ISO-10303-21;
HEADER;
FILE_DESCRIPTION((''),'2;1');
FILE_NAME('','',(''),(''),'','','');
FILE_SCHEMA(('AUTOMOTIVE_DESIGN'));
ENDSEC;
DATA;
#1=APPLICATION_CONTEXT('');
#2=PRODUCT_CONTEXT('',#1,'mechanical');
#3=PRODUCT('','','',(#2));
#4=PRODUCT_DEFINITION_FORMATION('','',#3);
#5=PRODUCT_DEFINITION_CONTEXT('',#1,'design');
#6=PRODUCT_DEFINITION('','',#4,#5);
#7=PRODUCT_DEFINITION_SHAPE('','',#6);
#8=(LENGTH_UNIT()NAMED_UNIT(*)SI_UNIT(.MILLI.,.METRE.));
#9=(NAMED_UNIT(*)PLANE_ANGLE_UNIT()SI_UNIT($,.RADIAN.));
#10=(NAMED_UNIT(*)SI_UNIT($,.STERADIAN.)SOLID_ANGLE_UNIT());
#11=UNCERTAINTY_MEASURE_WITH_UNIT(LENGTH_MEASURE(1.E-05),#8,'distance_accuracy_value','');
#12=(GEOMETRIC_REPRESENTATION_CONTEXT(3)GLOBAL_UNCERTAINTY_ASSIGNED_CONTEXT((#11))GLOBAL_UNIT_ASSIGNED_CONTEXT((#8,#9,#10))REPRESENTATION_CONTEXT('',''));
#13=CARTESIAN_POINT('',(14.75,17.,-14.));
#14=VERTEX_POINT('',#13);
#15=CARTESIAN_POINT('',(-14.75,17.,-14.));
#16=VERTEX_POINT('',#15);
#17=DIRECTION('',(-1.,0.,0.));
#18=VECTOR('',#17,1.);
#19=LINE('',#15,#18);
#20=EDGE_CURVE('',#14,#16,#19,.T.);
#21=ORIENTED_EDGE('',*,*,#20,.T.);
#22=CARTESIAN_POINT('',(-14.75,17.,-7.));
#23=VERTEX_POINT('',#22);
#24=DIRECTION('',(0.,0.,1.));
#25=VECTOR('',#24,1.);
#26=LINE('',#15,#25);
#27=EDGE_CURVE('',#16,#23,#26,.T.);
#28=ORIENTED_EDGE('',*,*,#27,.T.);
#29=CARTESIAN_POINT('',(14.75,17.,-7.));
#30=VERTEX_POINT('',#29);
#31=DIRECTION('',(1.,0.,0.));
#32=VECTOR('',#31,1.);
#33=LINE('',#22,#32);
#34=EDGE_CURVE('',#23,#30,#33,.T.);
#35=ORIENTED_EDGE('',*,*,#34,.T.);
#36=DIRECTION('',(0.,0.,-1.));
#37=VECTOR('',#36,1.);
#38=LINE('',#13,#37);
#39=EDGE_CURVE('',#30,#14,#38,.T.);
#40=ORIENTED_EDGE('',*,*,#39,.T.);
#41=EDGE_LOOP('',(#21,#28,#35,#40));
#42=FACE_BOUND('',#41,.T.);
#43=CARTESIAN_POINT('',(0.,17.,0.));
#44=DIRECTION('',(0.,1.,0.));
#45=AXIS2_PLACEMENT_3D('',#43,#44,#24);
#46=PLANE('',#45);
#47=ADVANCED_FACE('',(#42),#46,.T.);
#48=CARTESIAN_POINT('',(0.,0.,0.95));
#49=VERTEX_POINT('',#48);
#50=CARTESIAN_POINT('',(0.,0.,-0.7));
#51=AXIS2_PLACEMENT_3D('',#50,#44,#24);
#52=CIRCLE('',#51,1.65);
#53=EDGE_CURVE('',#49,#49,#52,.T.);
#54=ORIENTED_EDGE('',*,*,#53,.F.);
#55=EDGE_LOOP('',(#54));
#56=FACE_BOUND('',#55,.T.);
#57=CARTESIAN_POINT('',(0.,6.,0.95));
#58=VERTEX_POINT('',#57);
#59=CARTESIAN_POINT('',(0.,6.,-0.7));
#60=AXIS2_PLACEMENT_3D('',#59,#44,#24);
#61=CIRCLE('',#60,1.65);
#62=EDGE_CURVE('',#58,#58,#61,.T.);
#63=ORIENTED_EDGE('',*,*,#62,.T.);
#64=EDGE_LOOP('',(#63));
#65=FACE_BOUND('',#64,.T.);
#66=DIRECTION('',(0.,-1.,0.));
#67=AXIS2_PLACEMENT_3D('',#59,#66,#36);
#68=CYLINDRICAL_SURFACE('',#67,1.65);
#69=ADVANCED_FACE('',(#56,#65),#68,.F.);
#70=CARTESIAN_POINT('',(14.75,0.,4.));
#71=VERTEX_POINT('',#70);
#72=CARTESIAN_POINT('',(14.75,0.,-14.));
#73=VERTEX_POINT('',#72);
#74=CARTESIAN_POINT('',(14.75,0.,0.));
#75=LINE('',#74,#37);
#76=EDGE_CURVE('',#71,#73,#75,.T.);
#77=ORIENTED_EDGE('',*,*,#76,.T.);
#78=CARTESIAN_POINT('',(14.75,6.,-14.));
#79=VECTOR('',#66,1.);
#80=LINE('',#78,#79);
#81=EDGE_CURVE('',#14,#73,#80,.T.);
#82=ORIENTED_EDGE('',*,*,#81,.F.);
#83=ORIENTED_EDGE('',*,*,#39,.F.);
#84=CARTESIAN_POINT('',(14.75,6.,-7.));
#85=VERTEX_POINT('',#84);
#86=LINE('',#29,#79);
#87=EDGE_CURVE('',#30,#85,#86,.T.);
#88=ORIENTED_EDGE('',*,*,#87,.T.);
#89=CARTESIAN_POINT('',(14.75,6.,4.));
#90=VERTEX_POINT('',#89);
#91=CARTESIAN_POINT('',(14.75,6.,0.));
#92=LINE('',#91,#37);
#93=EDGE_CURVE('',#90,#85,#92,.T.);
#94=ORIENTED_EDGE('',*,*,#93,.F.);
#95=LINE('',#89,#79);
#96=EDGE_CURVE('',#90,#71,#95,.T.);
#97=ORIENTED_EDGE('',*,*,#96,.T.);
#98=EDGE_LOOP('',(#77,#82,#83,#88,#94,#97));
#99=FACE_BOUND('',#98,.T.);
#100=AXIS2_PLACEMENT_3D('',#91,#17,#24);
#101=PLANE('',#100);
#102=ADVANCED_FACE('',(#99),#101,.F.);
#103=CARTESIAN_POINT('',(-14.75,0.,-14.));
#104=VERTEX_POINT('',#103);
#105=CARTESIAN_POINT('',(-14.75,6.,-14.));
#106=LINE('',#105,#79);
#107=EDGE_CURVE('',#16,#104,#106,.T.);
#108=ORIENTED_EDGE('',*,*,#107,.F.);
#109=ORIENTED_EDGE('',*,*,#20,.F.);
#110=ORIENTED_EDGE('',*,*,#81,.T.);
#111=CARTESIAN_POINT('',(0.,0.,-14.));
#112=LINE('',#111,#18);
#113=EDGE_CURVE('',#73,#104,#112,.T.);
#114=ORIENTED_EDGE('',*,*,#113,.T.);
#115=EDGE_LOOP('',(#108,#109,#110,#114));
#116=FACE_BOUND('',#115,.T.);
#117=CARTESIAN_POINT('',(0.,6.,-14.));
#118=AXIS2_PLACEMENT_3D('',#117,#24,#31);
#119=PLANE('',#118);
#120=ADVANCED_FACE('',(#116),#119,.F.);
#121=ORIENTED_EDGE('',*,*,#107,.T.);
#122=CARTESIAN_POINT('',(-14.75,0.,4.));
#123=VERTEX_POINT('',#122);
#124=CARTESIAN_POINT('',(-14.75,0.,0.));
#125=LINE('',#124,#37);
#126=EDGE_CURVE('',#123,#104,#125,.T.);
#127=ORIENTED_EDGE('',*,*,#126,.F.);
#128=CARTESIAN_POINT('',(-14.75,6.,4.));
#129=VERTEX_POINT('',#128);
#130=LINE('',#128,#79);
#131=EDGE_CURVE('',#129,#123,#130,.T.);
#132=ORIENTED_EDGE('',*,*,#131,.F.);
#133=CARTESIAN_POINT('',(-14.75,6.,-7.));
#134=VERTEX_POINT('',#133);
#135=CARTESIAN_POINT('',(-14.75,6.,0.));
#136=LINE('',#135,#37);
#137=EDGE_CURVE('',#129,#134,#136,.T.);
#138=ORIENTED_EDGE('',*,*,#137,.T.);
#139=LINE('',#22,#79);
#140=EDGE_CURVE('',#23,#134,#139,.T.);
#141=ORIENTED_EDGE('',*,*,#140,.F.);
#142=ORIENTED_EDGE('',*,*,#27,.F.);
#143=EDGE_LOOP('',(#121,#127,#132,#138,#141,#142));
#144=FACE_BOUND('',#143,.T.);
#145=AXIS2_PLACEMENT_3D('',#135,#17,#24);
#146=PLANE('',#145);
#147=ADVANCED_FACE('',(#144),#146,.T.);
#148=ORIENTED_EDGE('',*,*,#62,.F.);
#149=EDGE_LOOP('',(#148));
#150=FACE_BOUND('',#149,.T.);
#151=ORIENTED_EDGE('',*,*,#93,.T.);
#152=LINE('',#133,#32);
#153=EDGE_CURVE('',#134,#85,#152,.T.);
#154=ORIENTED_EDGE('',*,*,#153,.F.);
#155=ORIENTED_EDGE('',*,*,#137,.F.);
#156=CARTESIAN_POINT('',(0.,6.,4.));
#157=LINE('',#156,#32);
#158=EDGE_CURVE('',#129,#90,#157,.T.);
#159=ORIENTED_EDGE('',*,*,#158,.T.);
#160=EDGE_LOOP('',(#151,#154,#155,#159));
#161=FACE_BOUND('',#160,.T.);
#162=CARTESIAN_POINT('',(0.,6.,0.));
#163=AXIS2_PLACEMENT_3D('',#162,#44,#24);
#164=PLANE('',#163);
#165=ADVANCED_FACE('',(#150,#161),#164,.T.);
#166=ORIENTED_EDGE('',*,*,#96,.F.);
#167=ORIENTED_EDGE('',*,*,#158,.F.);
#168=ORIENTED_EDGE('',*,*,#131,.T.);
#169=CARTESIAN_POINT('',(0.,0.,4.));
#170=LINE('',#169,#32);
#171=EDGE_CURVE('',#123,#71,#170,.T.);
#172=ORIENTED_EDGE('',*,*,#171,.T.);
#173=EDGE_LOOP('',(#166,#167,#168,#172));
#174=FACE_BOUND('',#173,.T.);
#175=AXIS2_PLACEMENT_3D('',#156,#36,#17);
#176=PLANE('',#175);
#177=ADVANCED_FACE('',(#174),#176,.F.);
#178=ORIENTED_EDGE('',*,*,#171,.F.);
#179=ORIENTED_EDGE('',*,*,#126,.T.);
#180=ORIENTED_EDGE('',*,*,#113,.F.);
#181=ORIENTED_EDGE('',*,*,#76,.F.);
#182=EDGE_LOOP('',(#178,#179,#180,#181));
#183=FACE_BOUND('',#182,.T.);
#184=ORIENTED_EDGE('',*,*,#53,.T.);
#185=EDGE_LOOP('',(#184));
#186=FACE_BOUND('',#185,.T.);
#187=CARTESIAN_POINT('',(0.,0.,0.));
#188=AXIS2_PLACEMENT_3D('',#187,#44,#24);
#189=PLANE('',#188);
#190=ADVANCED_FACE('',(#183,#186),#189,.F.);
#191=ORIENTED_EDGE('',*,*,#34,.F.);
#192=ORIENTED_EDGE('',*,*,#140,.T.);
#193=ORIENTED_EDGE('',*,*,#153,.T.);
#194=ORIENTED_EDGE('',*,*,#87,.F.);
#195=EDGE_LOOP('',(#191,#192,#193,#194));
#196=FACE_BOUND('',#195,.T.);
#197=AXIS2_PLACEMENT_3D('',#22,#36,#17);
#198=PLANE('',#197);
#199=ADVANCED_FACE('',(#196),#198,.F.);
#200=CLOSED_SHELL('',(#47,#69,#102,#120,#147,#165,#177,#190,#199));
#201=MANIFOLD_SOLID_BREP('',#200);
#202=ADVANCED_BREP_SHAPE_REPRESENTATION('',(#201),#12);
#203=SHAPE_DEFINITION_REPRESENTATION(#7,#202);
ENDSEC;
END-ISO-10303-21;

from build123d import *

# Parameters (mm, degrees)
SKETCH1_W           = 29.5
SKETCH1_H           = 10
SKETCH1_H_2         = 8
SKETCH1_R           = 1.65
BOSS_EXTRUDE1_DEPTH = 6
SKETCH3_W           = 29.5
SKETCH3_H           = 7
BOSS_EXTRUDE3_DEPTH = 11


with BuildPart() as part:
    # Sketch1 → Boss-Extrude1 (new body)
    # profile 1 of 2: a face of its own
    with BuildSketch(Plane(origin=(0, 0, 0), x_dir=(1, 0, 0), z_dir=(0, 1, 0))):
        with Locations((0, 9)):
            Rectangle(SKETCH1_W, SKETCH1_H)
    # profile 2 of 2: a face of its own
    with BuildSketch(Plane(origin=(0, 0, 0), x_dir=(1, 0, 0), z_dir=(0, 1, 0))):
        Rectangle(SKETCH1_W, SKETCH1_H_2)
        with Locations(Location((0, 0.7, 0), (0, 0, 270))):
            Circle(SKETCH1_R, mode=Mode.SUBTRACT)
    extrude(amount=BOSS_EXTRUDE1_DEPTH)

    # Sketch3 → Boss-Extrude3 (add)
    with BuildSketch(Plane(origin=(0, 6, 0), x_dir=(1, 0, 0), z_dir=(0, 1, 0))):
        with Locations((0, 10.5)):
            Rectangle(SKETCH3_W, SKETCH3_H)
    extrude(amount=BOSS_EXTRUDE3_DEPTH)


solid = part.part
